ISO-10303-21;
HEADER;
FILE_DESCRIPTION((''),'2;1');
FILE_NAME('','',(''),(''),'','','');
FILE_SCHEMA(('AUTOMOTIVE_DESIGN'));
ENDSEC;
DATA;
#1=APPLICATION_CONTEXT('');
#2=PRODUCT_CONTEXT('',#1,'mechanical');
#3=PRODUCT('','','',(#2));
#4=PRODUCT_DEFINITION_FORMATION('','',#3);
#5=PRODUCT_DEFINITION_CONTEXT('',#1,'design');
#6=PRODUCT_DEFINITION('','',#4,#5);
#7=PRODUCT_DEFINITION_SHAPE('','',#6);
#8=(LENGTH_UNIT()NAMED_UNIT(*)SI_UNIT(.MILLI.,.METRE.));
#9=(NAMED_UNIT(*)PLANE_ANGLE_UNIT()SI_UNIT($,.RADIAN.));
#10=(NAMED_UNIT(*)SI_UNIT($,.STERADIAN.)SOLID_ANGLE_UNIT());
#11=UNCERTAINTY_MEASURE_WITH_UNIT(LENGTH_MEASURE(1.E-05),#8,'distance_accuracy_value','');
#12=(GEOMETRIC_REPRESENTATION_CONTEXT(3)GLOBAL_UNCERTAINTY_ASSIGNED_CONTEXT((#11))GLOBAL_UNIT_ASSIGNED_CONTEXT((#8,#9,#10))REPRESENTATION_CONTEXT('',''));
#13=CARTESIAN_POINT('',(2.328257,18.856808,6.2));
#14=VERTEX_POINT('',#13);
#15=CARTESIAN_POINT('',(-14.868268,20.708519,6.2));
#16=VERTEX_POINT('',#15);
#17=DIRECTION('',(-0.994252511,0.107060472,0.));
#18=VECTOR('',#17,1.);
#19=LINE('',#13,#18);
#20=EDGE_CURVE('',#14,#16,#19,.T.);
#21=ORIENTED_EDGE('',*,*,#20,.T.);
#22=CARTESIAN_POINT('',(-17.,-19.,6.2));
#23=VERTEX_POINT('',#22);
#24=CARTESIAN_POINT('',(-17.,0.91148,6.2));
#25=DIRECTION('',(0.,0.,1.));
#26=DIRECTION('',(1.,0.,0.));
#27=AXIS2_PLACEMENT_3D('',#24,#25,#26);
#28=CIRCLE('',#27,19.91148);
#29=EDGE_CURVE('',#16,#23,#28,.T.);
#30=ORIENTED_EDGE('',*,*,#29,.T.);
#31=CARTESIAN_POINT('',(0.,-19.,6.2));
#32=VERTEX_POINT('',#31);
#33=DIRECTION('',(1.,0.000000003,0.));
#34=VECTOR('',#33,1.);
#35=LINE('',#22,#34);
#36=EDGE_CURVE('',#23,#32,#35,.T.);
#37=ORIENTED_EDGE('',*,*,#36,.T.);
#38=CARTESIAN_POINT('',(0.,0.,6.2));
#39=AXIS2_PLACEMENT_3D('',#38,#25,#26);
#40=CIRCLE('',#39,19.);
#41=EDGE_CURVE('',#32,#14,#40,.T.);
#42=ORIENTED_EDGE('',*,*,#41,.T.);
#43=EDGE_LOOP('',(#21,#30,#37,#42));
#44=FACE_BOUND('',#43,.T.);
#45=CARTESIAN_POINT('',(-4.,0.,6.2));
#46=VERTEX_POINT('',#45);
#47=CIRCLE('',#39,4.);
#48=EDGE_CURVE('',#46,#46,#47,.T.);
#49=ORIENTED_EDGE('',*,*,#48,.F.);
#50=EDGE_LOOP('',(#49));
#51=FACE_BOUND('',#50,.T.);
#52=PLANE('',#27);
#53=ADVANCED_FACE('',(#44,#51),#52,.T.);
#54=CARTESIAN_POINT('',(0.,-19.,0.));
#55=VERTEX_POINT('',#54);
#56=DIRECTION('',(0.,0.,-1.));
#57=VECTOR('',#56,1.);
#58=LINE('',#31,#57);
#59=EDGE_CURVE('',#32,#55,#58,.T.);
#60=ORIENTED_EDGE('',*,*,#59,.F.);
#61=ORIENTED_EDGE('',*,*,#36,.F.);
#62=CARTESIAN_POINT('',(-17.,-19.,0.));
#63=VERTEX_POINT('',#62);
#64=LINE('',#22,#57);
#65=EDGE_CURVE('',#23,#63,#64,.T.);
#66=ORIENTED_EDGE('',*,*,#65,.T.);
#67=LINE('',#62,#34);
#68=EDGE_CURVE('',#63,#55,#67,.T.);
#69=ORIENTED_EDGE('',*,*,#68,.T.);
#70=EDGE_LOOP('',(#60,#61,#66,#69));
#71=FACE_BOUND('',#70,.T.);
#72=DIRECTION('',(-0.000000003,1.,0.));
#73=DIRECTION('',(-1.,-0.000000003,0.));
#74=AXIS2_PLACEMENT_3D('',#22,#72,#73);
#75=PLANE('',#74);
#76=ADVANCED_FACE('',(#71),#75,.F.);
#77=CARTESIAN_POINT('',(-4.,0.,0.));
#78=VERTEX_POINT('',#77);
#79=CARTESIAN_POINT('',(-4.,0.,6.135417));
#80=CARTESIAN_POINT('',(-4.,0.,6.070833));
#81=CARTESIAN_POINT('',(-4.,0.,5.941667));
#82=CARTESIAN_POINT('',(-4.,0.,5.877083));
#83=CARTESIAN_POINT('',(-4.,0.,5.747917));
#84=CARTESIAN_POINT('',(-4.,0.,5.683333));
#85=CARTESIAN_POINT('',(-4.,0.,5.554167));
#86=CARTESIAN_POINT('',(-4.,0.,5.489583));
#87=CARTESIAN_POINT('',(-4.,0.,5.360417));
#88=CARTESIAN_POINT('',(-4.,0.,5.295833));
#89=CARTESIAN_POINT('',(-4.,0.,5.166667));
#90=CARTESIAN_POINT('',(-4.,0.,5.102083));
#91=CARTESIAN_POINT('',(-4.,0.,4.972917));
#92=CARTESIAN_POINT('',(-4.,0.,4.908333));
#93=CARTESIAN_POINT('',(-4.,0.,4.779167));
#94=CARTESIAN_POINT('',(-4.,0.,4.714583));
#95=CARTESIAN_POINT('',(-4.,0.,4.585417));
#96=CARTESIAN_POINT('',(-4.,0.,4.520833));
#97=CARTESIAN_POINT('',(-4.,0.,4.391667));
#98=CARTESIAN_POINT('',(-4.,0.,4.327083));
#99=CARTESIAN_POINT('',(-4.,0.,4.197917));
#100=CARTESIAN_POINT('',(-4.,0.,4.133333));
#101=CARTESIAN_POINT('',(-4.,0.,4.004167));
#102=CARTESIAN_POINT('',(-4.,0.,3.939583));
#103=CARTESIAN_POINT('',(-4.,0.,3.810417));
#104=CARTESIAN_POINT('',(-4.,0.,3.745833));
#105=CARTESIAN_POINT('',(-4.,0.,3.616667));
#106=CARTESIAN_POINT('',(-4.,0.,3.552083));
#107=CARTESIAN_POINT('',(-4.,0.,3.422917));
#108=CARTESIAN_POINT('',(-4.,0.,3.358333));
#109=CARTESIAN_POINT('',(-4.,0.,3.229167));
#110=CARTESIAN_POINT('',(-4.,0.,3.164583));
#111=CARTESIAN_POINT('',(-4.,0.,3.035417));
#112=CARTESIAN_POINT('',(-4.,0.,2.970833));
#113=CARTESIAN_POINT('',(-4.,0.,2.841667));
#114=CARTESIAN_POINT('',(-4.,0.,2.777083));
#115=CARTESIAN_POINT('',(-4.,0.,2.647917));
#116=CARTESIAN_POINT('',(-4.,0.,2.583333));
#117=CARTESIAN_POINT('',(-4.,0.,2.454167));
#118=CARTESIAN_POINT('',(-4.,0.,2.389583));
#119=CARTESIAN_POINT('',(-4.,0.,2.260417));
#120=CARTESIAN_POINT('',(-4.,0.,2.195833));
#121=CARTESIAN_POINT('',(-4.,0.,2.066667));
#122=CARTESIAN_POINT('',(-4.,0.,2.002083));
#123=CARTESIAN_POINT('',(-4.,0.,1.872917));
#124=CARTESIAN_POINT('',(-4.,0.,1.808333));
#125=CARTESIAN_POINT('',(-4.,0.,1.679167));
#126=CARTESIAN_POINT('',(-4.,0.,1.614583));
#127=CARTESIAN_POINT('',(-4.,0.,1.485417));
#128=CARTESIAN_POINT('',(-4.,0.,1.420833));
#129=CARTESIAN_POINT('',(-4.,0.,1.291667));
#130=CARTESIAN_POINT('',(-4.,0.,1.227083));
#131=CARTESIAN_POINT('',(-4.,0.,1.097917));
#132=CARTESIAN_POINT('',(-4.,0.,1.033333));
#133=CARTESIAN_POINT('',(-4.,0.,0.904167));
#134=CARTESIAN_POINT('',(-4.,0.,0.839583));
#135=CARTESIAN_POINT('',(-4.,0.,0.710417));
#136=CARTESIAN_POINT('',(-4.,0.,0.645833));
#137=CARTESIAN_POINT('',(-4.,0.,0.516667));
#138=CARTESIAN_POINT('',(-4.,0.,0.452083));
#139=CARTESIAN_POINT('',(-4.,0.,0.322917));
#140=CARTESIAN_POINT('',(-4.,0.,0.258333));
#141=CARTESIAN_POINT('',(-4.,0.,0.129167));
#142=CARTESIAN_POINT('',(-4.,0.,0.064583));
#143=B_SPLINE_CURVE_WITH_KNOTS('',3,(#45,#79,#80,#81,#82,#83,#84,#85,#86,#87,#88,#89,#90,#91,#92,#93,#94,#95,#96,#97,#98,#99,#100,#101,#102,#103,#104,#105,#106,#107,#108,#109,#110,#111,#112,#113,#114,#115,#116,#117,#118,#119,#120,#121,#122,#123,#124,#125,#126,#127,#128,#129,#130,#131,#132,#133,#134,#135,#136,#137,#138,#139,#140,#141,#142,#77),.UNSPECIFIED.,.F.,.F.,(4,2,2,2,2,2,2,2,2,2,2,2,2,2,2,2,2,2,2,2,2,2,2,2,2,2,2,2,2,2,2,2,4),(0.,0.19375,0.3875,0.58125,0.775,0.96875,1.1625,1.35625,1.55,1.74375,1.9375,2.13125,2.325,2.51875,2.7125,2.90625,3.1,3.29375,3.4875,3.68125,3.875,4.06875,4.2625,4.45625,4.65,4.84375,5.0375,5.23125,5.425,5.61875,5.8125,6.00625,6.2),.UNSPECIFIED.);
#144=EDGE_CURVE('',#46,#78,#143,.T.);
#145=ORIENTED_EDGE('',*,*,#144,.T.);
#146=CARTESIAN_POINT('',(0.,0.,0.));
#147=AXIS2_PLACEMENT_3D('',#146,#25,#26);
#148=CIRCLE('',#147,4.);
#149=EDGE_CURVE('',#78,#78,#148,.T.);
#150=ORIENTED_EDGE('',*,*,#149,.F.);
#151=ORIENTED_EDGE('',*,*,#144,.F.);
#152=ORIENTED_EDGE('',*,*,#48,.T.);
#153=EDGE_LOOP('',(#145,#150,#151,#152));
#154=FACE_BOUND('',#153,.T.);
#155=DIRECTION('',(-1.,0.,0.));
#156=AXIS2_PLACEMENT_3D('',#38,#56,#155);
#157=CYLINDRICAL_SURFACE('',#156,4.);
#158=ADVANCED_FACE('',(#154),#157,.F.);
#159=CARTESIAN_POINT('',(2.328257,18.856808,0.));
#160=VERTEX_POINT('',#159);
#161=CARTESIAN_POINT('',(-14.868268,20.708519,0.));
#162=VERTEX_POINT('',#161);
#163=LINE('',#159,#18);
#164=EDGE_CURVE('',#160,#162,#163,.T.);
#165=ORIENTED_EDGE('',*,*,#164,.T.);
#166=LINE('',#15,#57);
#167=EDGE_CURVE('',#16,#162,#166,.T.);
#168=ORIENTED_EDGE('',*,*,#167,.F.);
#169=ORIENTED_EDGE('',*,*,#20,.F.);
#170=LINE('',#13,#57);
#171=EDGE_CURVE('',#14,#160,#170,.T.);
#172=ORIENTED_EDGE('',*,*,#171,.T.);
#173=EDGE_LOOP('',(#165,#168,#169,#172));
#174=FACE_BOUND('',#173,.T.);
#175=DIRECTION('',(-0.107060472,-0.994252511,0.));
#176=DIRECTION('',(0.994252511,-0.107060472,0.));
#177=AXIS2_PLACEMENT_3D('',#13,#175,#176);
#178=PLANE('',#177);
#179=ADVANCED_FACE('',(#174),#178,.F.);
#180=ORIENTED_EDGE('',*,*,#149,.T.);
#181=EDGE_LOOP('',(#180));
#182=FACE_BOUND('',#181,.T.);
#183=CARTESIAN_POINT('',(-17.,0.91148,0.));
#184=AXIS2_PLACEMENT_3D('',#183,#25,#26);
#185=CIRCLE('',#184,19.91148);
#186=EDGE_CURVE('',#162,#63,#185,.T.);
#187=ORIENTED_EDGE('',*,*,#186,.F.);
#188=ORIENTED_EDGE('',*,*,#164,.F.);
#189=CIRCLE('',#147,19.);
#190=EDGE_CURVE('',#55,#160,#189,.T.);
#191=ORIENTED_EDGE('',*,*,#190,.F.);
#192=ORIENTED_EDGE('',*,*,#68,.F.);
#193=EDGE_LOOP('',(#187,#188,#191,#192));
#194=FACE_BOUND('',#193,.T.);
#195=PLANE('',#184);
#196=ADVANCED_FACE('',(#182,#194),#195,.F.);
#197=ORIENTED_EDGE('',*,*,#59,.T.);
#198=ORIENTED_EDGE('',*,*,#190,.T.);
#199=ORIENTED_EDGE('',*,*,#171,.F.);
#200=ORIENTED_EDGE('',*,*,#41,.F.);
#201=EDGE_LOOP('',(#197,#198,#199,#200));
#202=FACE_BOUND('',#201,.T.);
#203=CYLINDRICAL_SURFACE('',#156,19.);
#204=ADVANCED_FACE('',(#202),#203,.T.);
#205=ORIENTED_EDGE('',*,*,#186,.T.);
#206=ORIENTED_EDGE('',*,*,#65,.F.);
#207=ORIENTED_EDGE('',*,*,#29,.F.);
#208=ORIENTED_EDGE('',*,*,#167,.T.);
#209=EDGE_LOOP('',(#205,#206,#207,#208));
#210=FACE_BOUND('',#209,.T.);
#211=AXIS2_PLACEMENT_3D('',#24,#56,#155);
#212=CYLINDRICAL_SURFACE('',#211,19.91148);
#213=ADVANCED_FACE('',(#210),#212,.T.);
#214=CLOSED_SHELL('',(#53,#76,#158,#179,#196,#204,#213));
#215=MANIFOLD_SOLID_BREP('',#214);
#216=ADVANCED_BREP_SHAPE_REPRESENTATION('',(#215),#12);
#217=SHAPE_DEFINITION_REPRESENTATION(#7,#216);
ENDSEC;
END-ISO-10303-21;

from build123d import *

# Parameters (mm, degrees)
SKETCH1_R           = 4
BOSS_EXTRUDE1_DEPTH = 6.2


with BuildPart() as part:
    # Sketch1 → Boss-Extrude1 (new body)
    with BuildSketch(Plane.XY):
        with BuildLine():
            Line((-16.999999933, -19.000000057), (6.4e-08, -19))
            ThreePointArc((6.4e-08, -19), (18.964168293, -1.166327985), (2.328256926, 18.856808311))
            Line((2.328256926, 18.856808311), (-14.868267557, 20.708519018))
            ThreePointArc((-14.868267557, 20.708519018), (-36.882849209, 1.978880998), (-16.999999933, -19.000000057))
        make_face()
        with Locations(Location((0, 0, 0), (0, 0, 180))):
            Circle(SKETCH1_R, mode=Mode.SUBTRACT)
    extrude(amount=BOSS_EXTRUDE1_DEPTH)


solid = part.part
